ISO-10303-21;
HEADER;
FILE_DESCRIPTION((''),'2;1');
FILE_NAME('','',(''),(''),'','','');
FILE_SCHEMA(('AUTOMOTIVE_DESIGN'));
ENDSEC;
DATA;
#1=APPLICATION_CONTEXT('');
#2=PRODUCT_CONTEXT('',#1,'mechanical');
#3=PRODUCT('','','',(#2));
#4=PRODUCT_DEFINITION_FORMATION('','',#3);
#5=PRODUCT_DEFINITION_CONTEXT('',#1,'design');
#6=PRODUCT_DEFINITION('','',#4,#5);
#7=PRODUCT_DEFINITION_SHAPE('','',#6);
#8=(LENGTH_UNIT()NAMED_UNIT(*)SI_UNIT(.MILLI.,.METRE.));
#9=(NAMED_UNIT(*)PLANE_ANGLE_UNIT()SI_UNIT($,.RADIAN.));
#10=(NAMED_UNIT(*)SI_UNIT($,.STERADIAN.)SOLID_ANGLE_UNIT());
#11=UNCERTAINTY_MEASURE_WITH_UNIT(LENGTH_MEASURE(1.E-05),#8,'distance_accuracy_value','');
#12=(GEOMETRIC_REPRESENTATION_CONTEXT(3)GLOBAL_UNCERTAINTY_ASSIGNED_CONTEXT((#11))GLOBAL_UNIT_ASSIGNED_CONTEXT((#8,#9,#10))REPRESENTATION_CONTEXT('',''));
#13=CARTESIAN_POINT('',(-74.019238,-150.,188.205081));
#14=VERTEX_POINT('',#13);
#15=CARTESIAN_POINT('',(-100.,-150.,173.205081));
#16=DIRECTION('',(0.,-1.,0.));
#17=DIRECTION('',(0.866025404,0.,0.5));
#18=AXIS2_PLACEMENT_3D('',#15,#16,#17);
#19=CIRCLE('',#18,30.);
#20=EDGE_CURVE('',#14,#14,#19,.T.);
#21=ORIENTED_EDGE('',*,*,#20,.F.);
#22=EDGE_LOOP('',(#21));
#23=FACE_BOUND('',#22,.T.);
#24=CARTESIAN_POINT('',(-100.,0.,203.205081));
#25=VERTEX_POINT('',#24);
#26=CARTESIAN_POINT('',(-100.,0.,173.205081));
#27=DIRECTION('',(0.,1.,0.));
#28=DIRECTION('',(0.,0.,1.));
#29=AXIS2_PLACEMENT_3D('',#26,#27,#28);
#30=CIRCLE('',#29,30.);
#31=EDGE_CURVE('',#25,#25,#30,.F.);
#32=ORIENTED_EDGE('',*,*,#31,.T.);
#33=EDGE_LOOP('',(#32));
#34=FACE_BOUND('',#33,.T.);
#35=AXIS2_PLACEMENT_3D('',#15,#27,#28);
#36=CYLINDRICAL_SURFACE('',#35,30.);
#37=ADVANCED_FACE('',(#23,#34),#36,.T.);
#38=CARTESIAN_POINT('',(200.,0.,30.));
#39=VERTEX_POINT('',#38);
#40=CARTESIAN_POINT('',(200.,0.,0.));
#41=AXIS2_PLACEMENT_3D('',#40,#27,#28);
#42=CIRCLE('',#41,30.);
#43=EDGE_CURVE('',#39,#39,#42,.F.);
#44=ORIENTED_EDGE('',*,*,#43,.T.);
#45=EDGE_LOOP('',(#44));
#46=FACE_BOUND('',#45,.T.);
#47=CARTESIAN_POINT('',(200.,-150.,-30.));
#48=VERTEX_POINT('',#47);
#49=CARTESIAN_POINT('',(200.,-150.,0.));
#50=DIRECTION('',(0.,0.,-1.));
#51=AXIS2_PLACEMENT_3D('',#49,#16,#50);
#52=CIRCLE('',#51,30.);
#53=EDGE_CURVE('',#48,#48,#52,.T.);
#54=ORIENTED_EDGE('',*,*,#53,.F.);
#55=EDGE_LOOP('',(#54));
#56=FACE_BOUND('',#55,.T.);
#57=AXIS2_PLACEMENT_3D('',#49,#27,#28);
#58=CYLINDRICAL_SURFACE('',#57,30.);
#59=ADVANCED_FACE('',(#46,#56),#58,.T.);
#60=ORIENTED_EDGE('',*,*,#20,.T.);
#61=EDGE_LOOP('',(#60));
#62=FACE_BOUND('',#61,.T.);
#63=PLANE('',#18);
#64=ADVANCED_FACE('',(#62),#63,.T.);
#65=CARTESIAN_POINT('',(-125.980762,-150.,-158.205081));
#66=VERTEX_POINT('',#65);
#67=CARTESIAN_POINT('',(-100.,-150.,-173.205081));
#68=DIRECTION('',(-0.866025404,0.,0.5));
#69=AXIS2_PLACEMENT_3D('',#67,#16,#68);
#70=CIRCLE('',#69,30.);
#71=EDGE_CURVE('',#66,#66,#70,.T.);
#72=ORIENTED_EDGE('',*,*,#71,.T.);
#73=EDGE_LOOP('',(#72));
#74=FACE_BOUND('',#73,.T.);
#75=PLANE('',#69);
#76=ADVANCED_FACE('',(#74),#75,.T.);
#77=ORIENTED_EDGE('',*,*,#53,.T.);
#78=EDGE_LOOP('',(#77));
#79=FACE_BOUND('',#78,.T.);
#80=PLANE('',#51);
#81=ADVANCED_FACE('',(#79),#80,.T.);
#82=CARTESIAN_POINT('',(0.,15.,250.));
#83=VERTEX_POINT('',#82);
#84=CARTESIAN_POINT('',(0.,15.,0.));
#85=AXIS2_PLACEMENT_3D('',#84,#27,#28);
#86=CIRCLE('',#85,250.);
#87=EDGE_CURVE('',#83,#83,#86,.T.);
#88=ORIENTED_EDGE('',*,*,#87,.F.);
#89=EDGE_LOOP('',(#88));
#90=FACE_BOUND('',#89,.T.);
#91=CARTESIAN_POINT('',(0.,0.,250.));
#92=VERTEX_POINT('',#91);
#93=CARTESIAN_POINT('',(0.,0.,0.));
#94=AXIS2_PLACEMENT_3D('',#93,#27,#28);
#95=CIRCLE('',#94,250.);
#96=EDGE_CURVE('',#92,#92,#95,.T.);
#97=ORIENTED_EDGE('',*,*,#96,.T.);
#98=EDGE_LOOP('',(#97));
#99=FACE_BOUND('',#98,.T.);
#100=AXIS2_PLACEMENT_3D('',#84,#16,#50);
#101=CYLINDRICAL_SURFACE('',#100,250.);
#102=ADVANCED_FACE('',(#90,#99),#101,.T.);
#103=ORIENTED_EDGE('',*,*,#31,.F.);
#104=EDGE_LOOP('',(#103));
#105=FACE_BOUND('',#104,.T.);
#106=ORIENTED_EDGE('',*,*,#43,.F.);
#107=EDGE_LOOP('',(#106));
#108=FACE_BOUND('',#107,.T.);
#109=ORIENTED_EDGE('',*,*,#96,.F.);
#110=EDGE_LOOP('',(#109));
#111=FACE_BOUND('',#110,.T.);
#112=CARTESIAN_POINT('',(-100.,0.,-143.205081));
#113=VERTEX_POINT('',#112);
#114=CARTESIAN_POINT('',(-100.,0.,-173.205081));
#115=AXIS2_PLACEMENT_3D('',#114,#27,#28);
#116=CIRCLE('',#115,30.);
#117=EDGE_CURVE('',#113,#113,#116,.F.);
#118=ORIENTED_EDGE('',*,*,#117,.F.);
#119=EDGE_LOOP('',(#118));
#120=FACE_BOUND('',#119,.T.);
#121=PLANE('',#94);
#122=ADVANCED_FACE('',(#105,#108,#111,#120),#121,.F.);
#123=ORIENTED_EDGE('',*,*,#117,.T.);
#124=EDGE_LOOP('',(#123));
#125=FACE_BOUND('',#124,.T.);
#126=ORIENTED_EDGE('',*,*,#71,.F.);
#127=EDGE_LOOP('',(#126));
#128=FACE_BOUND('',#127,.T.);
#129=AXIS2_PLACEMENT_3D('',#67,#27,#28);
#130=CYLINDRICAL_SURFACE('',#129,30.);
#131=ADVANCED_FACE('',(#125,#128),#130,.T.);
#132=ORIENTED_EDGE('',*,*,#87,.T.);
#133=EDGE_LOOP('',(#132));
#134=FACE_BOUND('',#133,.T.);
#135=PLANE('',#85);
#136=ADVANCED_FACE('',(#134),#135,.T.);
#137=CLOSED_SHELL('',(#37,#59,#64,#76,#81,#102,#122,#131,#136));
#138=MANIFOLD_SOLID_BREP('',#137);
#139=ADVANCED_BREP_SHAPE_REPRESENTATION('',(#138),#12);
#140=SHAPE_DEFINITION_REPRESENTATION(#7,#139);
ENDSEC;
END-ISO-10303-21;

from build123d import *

# Parameters (mm, degrees)
SKETCH1_R           = 250
BOSS_EXTRUDE1_DEPTH = 15
SKETCH2_R           = 30
BOSS_EXTRUDE2_DEPTH = 150
CIRPATTERN1_COUNT   = 3


with BuildPart() as part:
    # Sketch1 → Boss-Extrude1 (new body)
    with BuildSketch(Plane(origin=(0, 0, 0), x_dir=(1, 0, 0), z_dir=(0, 1, 0))):
        with Locations(Location((0, 0, 0), (0, 0, 270))):
            Circle(SKETCH1_R)
    extrude(amount=BOSS_EXTRUDE1_DEPTH)

    # Sketch2 → Boss-Extrude2 (add)
    with BuildSketch(Plane.XZ):
        with Locations(Location((200, 0, 0), (0, 0, 90))):
            Circle(SKETCH2_R)
    boss_extrude2 = extrude(amount=BOSS_EXTRUDE2_DEPTH)

    # CirPattern1: Boss-Extrude2 ×3 about axis
    cirpattern1_axis = Axis((0, 0, 0), (0, 1, 0))
    for i in range(1, CIRPATTERN1_COUNT):
        add(boss_extrude2.rotate(cirpattern1_axis, i * 360 / CIRPATTERN1_COUNT))


solid = part.part
